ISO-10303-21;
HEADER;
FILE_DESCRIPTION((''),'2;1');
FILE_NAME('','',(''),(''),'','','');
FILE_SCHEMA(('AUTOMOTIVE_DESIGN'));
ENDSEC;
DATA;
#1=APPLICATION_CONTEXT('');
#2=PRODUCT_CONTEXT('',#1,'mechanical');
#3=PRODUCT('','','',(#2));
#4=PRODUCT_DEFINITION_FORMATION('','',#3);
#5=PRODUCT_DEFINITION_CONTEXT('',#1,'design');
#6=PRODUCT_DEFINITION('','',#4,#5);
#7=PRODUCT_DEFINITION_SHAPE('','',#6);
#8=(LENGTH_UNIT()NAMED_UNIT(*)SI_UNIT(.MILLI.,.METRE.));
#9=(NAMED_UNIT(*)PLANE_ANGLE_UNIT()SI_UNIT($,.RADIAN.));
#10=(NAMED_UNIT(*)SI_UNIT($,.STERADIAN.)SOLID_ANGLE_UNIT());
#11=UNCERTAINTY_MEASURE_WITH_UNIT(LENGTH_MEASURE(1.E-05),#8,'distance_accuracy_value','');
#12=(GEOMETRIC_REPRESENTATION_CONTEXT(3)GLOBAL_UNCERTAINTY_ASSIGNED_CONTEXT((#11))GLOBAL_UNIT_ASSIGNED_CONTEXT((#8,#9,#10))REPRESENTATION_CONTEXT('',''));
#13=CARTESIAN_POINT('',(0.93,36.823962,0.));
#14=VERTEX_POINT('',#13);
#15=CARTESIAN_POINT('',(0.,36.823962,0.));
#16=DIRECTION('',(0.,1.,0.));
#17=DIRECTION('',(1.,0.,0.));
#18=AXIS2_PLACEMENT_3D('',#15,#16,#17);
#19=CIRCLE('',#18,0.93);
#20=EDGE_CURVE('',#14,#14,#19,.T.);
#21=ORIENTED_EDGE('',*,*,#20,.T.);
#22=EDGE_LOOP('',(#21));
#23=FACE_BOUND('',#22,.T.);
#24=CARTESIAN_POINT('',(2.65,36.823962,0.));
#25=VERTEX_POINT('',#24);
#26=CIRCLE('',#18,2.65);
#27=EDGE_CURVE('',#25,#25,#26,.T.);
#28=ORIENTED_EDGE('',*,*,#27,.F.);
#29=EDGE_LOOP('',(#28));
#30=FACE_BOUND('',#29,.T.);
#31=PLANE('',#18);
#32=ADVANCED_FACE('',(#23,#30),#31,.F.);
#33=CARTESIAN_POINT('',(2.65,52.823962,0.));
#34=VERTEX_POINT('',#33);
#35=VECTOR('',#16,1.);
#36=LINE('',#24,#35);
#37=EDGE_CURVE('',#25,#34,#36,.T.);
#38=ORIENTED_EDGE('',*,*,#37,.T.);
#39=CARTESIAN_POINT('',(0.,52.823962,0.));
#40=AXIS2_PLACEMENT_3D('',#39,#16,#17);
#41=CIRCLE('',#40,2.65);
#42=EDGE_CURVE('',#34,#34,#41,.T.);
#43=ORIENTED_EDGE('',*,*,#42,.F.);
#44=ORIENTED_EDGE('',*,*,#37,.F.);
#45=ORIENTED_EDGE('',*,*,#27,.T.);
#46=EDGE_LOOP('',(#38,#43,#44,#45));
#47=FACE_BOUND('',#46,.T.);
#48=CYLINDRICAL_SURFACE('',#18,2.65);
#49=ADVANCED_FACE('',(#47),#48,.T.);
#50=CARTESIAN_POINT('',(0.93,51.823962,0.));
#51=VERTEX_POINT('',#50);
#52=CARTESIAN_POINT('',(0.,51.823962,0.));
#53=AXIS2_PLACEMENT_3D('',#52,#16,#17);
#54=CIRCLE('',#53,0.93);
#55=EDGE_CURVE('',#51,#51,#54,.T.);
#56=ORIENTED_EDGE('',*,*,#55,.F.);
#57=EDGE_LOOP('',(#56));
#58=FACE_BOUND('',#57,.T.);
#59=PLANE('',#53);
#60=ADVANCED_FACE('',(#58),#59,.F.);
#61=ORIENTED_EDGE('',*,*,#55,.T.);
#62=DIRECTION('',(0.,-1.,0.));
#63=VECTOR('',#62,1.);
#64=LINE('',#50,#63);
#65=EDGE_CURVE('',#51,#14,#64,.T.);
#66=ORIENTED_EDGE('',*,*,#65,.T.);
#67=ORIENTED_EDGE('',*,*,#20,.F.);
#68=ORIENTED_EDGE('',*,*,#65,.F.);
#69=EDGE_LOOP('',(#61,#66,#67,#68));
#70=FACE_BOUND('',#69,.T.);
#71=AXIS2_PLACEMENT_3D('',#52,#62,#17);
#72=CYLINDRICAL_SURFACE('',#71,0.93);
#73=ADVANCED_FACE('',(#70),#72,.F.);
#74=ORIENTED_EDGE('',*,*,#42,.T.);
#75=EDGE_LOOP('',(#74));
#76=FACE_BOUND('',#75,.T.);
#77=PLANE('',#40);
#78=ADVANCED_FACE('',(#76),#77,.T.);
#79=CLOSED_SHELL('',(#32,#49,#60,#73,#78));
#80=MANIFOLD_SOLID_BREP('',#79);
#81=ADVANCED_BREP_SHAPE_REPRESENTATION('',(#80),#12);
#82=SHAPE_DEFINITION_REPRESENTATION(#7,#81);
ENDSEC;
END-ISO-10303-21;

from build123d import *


with BuildPart() as f1:
    # F0 (on Top) → F1 (revolve)
    with BuildSketch(Plane.XY):
        Polygon((2.65, 52.823962), (0, 52.823962), (0, 51.823962), (0.93, 51.823962), (2.65, 51.823962), align=None)
        Polygon((2.65, 36.823962), (2.65, 51.823962), (0.93, 51.823962), (0.93, 40.636849), (0.93, 36.823962), align=None)
    revolve(axis=Axis((0, 64.323962, 0), (0, 1, 0)))


solid = f1.part
